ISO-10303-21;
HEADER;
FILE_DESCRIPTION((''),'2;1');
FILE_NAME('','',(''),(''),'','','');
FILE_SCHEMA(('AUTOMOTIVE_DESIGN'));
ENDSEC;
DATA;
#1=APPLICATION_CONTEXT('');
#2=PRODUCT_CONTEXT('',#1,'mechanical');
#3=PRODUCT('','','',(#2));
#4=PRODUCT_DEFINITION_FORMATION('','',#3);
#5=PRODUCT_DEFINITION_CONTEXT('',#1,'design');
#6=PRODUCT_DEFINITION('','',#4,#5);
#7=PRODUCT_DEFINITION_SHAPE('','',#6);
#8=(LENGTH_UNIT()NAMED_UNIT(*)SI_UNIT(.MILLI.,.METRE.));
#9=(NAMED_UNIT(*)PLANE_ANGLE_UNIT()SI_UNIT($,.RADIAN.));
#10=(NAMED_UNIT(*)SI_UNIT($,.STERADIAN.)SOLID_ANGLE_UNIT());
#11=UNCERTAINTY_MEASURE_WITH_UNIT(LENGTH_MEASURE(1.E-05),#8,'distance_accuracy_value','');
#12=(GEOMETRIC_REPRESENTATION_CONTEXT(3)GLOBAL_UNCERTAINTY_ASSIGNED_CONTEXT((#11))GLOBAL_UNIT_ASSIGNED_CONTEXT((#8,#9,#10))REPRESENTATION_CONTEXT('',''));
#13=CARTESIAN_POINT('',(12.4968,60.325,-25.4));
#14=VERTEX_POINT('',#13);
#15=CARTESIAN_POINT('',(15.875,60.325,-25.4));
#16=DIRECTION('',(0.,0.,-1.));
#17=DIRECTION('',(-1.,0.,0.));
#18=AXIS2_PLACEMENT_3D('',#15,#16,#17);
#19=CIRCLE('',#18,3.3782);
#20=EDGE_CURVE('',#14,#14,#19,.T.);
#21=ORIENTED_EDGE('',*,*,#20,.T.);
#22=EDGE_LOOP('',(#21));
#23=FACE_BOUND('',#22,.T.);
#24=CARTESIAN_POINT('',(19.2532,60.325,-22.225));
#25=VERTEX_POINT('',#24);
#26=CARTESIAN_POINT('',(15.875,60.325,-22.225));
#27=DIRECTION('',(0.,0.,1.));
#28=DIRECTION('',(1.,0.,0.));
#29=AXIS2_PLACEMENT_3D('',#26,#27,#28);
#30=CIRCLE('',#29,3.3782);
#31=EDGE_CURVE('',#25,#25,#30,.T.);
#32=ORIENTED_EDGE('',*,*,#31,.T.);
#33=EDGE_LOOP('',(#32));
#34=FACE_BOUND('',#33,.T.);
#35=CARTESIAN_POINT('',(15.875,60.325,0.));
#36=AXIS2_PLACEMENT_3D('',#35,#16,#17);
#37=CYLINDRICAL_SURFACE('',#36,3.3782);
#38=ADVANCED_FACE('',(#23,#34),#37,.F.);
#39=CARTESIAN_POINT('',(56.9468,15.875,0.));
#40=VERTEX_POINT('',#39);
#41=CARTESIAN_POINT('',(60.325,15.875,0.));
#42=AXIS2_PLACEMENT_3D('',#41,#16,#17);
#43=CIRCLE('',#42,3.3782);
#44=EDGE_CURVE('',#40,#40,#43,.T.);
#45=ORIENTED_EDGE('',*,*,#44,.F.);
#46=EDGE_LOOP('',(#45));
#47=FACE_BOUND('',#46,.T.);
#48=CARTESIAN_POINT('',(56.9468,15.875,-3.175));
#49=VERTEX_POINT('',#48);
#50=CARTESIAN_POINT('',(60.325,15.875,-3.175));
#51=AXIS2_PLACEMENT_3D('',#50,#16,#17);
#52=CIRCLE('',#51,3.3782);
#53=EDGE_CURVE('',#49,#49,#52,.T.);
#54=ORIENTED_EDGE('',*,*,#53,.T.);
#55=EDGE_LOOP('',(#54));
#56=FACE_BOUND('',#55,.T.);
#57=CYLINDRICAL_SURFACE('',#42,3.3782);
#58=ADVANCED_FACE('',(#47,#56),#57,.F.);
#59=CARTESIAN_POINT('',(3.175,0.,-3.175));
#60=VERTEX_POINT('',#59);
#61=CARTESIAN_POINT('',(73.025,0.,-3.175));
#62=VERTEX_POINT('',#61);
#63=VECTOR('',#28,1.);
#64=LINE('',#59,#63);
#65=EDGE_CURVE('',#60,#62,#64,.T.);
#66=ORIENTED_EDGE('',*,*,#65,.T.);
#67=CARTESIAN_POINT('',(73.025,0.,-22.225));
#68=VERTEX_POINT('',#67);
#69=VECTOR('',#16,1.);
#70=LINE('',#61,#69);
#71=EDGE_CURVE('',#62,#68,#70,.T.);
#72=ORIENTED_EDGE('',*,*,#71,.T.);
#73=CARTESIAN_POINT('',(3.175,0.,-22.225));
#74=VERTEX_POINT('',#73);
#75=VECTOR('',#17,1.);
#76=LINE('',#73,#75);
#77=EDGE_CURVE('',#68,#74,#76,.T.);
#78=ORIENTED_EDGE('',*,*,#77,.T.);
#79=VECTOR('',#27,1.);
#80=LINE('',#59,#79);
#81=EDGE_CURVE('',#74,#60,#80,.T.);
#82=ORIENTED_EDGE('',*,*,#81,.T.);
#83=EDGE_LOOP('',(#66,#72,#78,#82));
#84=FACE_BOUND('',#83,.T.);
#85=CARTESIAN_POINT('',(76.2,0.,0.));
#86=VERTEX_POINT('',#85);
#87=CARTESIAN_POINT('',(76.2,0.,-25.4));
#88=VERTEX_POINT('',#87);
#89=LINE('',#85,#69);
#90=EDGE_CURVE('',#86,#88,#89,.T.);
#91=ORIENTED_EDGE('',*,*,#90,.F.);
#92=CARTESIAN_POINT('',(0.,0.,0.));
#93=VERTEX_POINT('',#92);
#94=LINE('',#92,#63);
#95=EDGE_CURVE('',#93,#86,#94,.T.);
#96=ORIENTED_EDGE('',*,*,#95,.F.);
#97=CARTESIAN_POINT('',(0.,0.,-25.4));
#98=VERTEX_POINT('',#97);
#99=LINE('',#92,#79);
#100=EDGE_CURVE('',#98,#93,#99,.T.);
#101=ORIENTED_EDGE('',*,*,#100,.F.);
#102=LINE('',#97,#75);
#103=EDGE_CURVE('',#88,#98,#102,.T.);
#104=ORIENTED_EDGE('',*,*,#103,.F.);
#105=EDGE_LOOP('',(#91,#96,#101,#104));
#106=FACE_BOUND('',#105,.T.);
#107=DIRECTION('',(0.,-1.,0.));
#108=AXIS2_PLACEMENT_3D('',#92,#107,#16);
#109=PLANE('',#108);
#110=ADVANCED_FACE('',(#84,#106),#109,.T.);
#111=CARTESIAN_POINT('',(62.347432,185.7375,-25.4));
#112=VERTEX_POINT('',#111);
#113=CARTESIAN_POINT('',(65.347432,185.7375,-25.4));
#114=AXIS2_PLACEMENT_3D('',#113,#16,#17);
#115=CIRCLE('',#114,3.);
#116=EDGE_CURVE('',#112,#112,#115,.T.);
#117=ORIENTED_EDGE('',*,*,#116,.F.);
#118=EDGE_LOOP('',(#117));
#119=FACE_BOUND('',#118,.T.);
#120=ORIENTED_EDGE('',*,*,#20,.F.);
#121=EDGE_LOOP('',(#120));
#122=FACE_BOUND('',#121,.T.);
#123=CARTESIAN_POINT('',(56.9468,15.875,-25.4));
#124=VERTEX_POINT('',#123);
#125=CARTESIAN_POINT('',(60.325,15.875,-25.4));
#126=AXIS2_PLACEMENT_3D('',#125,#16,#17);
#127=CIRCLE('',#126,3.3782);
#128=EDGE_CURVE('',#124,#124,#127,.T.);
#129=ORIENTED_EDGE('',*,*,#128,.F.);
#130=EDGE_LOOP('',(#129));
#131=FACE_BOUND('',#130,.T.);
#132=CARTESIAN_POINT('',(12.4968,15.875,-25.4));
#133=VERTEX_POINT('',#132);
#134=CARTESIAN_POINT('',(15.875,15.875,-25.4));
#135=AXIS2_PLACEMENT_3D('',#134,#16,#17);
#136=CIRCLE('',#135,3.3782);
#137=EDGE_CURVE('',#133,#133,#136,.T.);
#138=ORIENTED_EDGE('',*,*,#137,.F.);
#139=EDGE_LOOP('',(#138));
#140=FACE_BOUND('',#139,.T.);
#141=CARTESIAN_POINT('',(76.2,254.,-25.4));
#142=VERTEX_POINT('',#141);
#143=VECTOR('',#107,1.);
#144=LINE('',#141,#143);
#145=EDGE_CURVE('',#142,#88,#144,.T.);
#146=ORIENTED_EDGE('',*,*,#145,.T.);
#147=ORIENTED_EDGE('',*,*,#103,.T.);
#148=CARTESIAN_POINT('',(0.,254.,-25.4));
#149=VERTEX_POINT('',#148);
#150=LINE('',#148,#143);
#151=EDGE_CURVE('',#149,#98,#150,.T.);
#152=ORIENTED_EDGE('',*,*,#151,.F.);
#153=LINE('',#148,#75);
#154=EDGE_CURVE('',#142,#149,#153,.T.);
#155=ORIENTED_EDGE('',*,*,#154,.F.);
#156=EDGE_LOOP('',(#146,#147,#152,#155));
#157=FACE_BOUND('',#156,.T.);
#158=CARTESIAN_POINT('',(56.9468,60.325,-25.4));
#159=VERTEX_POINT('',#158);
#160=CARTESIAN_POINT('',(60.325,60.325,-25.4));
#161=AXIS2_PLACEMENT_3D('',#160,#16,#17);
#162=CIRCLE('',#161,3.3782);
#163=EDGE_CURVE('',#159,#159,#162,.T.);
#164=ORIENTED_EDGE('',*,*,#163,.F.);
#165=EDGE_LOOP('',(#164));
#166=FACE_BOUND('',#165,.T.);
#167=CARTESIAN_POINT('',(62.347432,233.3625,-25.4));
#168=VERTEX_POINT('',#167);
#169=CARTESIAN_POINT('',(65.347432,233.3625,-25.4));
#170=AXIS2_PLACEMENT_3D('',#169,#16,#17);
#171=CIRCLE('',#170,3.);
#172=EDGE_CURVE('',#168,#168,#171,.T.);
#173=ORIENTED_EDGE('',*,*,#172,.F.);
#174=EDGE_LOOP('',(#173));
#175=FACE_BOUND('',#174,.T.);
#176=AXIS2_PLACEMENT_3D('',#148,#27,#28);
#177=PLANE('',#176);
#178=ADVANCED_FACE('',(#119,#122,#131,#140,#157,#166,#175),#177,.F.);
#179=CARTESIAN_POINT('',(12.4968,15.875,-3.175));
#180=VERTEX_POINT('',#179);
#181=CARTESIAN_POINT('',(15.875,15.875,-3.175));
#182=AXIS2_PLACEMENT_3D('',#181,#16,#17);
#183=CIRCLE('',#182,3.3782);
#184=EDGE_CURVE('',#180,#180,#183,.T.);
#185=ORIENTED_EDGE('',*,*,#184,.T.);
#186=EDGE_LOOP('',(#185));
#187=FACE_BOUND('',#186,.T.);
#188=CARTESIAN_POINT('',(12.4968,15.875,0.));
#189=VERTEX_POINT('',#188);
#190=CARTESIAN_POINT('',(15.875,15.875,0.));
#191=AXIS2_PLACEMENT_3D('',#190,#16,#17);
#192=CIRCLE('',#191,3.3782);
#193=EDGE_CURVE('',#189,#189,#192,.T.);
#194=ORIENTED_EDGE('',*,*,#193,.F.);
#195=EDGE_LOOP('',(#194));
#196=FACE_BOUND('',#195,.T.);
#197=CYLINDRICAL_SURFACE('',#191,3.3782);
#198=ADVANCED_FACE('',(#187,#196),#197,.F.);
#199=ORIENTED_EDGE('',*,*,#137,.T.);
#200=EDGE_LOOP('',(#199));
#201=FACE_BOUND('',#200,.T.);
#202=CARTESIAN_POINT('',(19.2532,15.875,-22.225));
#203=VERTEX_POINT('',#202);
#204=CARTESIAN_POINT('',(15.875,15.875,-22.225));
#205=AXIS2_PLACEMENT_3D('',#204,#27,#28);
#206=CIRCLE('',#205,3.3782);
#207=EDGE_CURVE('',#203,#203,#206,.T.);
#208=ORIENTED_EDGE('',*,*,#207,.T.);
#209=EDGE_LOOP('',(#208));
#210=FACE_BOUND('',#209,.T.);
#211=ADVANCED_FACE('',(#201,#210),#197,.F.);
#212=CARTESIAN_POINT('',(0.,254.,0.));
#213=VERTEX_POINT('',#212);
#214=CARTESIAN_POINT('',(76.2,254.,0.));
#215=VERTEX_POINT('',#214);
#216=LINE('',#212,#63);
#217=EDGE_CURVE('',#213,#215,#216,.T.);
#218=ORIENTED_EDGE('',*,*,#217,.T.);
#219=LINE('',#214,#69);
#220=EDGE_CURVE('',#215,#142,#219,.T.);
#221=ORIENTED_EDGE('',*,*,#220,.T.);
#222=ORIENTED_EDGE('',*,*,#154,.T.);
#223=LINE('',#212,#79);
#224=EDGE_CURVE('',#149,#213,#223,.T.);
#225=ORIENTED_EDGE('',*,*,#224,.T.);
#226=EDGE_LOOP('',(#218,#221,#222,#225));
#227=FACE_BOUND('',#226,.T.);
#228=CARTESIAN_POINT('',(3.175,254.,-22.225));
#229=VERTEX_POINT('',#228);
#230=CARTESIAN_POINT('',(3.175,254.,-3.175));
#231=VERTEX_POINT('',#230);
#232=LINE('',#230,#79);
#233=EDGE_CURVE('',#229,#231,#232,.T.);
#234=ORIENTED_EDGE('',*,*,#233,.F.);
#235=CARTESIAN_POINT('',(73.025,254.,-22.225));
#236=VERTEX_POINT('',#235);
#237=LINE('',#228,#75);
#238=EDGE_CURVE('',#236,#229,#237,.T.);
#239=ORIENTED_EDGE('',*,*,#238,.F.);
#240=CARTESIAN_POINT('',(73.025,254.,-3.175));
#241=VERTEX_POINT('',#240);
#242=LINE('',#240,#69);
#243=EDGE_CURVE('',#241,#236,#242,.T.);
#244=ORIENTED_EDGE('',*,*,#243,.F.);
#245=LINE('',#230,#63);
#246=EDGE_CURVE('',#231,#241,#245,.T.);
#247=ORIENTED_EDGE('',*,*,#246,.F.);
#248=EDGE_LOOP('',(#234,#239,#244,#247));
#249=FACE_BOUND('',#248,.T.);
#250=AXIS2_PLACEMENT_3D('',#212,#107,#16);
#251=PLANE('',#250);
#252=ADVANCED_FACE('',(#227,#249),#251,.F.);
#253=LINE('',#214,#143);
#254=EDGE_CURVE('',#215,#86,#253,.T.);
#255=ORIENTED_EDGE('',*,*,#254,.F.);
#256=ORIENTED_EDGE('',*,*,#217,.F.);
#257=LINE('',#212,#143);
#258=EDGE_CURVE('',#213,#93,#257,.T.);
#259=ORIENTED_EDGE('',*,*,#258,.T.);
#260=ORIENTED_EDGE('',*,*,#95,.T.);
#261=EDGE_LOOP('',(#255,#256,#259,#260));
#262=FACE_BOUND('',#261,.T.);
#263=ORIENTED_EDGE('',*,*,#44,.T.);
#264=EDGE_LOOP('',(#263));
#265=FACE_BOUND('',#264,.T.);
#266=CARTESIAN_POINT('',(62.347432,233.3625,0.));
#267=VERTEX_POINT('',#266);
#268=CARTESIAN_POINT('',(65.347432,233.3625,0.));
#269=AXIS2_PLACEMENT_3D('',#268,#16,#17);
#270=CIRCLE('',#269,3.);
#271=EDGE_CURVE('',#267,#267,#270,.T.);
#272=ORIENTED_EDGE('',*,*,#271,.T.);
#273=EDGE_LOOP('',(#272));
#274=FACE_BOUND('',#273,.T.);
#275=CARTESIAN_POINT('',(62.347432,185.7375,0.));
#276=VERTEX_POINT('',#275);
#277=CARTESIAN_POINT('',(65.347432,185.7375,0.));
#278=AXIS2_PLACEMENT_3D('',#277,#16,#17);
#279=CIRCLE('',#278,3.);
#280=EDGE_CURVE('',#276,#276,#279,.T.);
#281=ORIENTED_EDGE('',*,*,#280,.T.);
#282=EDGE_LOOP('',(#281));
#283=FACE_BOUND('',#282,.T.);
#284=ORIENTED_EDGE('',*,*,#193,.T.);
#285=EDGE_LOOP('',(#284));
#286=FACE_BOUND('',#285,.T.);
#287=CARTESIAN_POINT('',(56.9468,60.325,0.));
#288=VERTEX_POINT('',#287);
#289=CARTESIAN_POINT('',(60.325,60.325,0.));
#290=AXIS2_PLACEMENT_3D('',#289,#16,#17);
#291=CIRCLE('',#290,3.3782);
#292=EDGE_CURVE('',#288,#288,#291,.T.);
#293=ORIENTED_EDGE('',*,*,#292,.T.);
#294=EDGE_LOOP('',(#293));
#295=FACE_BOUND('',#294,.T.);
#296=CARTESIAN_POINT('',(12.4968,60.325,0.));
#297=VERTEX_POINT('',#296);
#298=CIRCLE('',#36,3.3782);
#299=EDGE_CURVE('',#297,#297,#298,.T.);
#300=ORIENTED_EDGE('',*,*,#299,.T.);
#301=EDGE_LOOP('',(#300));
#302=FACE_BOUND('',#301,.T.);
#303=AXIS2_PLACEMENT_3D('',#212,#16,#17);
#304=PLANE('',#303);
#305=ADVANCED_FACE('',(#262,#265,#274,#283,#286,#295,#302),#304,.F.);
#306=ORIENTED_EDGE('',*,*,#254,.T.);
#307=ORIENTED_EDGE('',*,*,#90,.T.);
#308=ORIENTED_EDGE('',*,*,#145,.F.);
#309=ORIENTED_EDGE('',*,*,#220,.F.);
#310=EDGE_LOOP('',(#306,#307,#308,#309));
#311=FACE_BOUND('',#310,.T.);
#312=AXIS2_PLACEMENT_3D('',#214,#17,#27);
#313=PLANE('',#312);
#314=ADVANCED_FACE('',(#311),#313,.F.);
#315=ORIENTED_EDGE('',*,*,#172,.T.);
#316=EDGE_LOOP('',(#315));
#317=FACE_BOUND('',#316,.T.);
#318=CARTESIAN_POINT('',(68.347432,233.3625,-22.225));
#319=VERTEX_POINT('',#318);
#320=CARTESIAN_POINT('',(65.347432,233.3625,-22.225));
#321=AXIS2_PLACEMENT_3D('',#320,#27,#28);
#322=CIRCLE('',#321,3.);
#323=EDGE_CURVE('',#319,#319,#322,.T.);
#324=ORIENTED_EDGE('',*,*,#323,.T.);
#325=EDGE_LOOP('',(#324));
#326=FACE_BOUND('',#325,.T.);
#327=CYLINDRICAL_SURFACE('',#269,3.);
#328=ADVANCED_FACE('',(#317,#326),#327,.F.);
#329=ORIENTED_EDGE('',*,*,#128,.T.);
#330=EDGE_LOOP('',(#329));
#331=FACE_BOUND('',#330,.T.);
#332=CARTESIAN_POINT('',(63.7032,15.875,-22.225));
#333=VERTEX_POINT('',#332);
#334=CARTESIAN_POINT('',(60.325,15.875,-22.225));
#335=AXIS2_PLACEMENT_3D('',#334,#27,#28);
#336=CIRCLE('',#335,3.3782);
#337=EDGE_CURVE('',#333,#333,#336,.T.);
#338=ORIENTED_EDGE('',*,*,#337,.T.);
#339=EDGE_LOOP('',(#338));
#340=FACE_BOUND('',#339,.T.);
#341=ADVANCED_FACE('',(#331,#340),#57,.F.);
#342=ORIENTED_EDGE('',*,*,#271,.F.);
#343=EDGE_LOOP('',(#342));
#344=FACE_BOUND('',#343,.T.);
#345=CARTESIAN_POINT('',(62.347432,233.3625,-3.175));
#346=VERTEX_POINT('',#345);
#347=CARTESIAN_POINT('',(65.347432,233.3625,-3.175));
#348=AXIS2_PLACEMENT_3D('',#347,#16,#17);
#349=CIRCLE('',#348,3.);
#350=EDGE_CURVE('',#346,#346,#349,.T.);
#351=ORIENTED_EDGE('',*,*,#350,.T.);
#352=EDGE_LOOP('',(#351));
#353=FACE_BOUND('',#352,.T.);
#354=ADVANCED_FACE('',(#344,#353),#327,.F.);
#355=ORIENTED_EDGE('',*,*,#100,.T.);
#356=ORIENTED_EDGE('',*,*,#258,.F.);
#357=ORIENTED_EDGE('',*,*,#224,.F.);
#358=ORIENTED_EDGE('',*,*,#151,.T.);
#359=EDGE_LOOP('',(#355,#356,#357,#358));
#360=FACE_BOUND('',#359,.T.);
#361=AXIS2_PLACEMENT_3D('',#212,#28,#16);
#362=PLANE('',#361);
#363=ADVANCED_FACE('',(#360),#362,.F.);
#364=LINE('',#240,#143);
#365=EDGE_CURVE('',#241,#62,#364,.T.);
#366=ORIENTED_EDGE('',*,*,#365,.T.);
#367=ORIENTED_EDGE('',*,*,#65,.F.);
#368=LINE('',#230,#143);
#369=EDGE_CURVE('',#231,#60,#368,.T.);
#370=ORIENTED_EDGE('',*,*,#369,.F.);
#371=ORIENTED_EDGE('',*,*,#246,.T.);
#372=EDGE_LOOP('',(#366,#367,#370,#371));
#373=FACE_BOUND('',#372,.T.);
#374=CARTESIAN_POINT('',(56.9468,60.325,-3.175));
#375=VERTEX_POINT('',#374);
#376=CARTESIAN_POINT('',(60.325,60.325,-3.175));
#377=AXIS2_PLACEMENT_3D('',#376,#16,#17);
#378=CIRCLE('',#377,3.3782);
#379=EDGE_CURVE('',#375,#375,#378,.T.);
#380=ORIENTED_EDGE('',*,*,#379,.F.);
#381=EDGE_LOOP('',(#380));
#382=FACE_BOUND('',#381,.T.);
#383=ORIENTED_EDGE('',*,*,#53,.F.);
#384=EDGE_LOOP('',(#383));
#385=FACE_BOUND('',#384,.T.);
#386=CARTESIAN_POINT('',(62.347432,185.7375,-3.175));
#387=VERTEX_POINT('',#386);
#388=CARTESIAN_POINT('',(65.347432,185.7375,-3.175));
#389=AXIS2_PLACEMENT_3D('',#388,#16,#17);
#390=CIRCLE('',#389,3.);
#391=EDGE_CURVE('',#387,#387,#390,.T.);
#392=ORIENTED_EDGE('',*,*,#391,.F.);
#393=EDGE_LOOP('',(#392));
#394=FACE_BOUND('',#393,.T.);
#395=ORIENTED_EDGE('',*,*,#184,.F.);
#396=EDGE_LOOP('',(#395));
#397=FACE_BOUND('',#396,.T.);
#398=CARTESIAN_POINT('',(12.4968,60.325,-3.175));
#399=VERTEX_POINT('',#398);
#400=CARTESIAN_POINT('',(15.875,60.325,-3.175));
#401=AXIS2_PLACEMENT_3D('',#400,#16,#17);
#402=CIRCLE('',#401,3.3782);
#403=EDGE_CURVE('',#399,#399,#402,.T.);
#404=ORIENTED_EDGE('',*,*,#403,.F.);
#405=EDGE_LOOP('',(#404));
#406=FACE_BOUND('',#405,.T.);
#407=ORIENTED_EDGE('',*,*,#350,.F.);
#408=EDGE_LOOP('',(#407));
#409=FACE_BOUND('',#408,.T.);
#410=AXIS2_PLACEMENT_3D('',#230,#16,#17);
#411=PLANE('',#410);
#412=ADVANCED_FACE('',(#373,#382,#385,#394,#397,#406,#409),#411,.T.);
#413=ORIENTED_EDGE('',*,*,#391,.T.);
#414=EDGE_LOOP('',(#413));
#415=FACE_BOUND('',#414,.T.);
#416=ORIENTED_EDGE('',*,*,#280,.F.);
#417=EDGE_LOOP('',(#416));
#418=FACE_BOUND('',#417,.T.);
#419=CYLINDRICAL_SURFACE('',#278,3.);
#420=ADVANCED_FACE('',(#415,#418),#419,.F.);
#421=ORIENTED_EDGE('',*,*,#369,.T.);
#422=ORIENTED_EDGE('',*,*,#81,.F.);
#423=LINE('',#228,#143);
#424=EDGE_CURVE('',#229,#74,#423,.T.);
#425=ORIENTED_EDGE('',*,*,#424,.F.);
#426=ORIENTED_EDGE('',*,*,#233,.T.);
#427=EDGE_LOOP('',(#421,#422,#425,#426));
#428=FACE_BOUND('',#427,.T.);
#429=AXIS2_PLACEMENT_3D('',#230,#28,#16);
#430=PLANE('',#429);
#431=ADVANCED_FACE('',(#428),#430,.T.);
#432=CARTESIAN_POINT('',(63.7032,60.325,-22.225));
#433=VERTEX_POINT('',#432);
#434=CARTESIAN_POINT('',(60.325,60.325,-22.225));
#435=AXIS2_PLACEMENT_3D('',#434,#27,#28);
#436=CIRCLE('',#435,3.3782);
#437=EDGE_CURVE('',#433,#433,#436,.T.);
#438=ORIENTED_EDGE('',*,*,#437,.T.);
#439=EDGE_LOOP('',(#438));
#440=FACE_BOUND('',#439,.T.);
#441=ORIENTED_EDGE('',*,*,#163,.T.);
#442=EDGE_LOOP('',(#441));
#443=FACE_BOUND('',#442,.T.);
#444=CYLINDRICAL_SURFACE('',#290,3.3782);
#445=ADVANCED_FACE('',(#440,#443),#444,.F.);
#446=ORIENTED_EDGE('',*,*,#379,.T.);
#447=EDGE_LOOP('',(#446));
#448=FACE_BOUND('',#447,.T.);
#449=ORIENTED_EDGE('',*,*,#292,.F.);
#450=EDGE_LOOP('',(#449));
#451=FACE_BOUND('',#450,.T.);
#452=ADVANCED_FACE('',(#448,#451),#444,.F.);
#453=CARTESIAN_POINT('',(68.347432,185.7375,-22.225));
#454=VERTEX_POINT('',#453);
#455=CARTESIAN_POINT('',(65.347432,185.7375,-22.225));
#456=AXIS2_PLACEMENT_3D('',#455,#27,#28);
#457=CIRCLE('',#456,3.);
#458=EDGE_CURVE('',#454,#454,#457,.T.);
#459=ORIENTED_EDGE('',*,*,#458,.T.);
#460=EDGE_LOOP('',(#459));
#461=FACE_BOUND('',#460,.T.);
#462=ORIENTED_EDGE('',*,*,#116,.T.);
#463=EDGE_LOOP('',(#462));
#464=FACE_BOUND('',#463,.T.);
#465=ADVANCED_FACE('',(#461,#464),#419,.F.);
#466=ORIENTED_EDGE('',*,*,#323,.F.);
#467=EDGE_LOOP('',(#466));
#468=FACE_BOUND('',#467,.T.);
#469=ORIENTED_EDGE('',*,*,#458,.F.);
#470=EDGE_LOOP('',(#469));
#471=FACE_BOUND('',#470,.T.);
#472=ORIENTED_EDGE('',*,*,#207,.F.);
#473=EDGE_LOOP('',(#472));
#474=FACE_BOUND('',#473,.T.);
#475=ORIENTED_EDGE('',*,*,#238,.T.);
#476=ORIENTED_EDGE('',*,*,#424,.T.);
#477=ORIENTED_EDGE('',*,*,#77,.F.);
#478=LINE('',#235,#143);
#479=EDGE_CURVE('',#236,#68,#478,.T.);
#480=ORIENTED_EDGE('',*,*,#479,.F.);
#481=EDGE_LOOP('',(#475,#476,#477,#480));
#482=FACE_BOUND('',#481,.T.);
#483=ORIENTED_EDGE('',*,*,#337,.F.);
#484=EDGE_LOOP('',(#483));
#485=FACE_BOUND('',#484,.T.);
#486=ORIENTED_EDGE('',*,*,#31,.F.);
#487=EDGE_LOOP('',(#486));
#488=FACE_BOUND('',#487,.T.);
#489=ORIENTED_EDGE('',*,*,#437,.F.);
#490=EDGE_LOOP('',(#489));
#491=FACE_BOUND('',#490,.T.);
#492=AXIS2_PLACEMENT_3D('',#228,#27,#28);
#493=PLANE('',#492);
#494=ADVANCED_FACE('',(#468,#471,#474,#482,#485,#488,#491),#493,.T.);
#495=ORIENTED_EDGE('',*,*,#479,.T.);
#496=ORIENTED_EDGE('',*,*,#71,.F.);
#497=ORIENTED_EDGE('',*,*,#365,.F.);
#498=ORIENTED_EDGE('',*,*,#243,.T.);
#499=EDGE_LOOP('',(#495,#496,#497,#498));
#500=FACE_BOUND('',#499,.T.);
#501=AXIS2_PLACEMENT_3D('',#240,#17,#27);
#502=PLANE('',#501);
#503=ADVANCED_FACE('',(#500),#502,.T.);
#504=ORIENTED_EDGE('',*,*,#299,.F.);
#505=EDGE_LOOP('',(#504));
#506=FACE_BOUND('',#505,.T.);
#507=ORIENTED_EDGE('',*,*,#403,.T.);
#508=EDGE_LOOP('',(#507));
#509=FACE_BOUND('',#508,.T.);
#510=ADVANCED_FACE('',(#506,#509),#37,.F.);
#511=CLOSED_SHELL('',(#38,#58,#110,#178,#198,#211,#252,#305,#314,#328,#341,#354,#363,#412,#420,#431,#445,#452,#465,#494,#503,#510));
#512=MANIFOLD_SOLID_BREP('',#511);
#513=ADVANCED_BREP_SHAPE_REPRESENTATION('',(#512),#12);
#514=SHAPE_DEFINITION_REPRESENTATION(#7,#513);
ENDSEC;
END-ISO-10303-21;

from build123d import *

# Parameters (mm, degrees)
SKETCH1_W           = 76.2
SKETCH1_H           = 25.4
SKETCH1_W_2         = 69.85
SKETCH1_H_2         = 19.05
BOSS_EXTRUDE1_DEPTH = 254
SKETCH2_R           = 3.3782
CUT_EXTRUDE1_DEPTH  = 26.4
SKETCH3_R           = 3
CUT_EXTRUDE2_DEPTH  = 26.4


with BuildPart() as part:
    # Sketch1 → Boss-Extrude1 (new body)
    with BuildSketch(Plane(origin=(0, 0, 0), x_dir=(1, 0, 0), z_dir=(0, 1, 0))):
        with Locations((38.1, 12.7)):
            Rectangle(SKETCH1_W, SKETCH1_H)
        with Locations((38.1, 12.7)):
            Rectangle(SKETCH1_W_2, SKETCH1_H_2, mode=Mode.SUBTRACT)
    extrude(amount=BOSS_EXTRUDE1_DEPTH)

    # Sketch2 → Cut-Extrude1 (cut, through all)
    with BuildSketch(Plane(origin=(0, 0, -25.4), x_dir=(-1, 0, 0), z_dir=(0, 0, -1))):
        with Locations((-60.325, 15.875)):
            Circle(SKETCH2_R)
        with Locations((-15.875, 15.875)):
            Circle(SKETCH2_R)
        with Locations((-15.875, 60.325)):
            Circle(SKETCH2_R)
        with Locations((-60.325, 60.325)):
            Circle(SKETCH2_R)
    extrude(amount=-CUT_EXTRUDE1_DEPTH, mode=Mode.SUBTRACT)

    # Sketch3 → Cut-Extrude2 (cut, through all)
    with BuildSketch(Plane(origin=(0, 0, -25.4), x_dir=(-1, 0, 0), z_dir=(0, 0, -1))):
        with Locations((-65.347432125, 185.7375)):
            Circle(SKETCH3_R)
        with Locations((-65.347432125, 233.3625)):
            Circle(SKETCH3_R)
    extrude(amount=-CUT_EXTRUDE2_DEPTH, mode=Mode.SUBTRACT)


solid = part.part
